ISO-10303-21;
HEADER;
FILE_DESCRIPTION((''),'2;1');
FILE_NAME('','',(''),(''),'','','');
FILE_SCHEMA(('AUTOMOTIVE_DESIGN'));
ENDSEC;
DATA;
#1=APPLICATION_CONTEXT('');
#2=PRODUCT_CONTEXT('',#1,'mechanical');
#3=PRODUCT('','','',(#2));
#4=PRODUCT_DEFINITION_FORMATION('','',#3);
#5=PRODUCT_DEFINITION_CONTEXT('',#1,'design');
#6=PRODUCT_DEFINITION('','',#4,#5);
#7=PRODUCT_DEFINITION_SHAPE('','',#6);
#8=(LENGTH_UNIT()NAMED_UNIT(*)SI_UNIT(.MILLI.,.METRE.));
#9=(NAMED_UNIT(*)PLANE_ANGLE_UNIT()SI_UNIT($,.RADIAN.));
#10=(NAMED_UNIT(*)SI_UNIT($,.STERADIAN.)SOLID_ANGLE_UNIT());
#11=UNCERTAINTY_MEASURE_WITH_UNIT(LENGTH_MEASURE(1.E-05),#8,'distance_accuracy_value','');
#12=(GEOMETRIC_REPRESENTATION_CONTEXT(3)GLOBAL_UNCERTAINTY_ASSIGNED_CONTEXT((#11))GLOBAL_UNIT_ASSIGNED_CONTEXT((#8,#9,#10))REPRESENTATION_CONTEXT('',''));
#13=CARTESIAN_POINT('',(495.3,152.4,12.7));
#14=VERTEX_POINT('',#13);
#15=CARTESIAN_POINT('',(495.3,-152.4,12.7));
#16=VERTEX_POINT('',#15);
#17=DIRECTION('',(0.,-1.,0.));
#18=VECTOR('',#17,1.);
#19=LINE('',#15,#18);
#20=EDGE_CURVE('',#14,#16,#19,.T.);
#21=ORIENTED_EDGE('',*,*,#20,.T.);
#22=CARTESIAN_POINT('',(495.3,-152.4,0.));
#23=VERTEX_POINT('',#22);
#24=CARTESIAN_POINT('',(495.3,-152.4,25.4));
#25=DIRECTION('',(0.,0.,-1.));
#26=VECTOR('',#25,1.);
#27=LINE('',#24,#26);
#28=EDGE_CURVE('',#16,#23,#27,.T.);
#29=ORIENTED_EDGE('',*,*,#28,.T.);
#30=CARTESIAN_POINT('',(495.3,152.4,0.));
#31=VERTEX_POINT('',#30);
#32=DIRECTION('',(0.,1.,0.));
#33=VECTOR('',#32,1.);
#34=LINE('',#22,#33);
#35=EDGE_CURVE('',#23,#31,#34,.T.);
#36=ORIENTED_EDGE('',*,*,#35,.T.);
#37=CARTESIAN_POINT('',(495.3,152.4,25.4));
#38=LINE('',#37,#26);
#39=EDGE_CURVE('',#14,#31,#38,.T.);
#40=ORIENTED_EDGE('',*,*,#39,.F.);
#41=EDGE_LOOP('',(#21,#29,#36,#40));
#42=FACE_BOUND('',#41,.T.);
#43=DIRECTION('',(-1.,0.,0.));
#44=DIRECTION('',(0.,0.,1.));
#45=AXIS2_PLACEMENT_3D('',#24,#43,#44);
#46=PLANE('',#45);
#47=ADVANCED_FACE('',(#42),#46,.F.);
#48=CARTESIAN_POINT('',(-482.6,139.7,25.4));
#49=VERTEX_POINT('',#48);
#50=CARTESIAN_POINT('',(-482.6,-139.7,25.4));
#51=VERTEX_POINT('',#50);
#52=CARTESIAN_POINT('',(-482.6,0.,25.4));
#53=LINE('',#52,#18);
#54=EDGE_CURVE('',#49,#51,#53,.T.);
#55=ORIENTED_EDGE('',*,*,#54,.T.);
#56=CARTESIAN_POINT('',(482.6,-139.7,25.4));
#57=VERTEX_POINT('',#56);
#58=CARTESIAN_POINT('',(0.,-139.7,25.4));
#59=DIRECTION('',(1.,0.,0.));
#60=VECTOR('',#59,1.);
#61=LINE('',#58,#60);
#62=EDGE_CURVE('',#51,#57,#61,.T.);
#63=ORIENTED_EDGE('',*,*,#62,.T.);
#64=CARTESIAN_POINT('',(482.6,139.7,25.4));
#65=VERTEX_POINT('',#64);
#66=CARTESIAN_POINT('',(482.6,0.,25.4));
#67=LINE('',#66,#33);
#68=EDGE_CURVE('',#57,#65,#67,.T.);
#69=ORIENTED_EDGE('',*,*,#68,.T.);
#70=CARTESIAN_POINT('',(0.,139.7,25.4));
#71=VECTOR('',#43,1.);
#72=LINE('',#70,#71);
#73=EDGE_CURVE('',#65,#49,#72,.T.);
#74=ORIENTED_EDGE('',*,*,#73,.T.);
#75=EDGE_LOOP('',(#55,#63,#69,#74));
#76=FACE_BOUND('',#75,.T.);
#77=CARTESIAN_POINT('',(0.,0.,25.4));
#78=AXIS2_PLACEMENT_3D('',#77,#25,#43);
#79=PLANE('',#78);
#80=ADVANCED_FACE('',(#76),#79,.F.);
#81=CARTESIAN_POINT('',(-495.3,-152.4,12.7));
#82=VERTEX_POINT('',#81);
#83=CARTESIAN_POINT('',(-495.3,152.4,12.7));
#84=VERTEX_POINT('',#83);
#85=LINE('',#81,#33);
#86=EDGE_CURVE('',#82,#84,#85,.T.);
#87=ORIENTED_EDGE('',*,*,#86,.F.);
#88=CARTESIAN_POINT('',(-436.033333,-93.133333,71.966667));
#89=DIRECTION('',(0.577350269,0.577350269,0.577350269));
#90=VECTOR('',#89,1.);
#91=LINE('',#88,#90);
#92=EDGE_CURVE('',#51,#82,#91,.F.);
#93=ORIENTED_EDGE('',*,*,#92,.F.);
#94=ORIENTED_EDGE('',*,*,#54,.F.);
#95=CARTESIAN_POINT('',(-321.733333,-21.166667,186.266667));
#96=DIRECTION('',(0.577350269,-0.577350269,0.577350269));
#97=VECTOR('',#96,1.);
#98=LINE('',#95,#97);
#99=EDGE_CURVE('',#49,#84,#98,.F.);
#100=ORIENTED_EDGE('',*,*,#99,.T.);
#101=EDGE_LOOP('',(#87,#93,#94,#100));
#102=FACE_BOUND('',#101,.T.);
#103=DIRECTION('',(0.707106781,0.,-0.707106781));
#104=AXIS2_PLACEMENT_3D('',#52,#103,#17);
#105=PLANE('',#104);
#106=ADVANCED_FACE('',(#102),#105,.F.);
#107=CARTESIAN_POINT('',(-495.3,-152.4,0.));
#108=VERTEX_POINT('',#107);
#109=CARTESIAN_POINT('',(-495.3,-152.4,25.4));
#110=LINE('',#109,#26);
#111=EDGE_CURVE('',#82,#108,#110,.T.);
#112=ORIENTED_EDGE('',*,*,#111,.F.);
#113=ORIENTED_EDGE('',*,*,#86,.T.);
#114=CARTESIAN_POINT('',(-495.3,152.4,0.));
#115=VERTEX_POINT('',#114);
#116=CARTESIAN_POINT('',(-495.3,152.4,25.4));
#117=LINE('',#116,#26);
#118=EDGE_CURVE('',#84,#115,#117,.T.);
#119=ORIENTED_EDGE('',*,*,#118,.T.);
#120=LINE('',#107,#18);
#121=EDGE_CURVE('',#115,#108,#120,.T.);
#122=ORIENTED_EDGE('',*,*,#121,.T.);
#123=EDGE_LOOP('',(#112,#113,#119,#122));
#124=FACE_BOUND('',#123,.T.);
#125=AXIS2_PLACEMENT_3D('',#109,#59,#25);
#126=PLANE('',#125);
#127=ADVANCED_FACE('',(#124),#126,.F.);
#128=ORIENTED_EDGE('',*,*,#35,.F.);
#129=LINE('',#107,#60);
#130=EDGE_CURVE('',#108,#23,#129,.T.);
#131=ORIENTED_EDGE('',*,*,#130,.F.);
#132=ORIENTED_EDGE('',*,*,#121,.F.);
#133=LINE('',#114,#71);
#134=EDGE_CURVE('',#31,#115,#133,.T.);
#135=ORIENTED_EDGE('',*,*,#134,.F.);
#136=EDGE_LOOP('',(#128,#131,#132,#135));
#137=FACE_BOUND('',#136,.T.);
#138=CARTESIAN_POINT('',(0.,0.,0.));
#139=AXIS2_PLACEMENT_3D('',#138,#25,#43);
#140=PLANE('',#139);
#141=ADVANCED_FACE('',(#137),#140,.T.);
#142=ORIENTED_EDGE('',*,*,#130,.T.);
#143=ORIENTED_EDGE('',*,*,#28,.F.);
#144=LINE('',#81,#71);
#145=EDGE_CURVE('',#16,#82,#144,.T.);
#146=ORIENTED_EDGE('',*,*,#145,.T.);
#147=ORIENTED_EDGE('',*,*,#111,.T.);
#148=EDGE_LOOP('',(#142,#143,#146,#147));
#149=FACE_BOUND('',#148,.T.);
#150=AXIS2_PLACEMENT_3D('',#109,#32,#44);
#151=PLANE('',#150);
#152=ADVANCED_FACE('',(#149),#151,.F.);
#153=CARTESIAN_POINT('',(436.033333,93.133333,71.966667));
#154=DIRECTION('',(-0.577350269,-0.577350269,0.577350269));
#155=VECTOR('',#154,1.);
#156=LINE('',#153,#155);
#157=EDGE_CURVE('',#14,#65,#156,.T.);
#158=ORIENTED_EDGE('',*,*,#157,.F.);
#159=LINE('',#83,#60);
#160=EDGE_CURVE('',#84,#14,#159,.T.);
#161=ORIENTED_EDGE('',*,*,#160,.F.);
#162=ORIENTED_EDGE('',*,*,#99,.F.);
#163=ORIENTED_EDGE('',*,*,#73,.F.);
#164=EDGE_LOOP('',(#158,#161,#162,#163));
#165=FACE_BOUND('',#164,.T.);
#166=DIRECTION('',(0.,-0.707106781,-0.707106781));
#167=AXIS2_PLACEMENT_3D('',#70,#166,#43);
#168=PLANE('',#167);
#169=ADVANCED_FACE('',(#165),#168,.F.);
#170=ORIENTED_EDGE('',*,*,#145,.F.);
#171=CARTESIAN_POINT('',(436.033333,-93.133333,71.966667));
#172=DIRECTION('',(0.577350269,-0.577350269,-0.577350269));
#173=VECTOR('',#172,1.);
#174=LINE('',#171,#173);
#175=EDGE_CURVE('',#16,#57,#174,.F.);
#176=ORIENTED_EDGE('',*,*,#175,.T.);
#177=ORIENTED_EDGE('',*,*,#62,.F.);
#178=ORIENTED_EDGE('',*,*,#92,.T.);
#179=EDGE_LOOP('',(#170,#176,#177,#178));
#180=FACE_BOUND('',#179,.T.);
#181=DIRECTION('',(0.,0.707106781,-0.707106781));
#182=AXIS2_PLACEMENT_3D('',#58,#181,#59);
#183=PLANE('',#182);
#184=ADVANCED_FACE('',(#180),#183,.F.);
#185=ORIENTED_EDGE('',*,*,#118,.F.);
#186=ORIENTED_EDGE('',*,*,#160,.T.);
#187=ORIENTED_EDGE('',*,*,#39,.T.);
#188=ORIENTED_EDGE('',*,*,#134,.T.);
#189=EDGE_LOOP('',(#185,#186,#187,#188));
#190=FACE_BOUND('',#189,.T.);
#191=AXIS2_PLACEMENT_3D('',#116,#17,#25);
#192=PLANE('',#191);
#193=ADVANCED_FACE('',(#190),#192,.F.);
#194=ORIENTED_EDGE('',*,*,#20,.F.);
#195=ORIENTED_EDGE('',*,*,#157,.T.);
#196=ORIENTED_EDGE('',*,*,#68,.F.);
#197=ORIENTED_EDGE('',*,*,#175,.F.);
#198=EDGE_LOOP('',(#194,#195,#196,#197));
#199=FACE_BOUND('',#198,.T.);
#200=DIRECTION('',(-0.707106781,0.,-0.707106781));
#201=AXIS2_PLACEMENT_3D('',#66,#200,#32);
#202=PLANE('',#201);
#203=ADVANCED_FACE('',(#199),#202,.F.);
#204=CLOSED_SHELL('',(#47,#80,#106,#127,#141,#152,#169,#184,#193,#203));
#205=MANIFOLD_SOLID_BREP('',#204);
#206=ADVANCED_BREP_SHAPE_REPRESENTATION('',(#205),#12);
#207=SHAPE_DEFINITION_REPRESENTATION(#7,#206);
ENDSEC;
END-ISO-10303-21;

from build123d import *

# Parameters (mm, degrees)
PROFILE_SKETCH_W      = 990.6
PROFILE_SKETCH_H      = 304.8
PROFILE_EXTRUDE_DEPTH = 25.4
EDGE_CHAMFER_SIZE     = 12.7


with BuildPart() as part:
    # Profile Sketch → Profile Extrude (new body)
    with BuildSketch(Plane.XY):
        Rectangle(PROFILE_SKETCH_W, PROFILE_SKETCH_H)
    extrude(amount=PROFILE_EXTRUDE_DEPTH)

    # Edge Chamfer
    edge_chamfer_edges = [part.edges().sort_by_distance(p)[0] for p in [
        (-495.3, 0, 25.4),
        (0, -152.4, 25.4),
        (495.3, 0, 25.4),
        (0, 152.4, 25.4),
    ]]
    chamfer(edge_chamfer_edges, length=EDGE_CHAMFER_SIZE)


solid = part.part
